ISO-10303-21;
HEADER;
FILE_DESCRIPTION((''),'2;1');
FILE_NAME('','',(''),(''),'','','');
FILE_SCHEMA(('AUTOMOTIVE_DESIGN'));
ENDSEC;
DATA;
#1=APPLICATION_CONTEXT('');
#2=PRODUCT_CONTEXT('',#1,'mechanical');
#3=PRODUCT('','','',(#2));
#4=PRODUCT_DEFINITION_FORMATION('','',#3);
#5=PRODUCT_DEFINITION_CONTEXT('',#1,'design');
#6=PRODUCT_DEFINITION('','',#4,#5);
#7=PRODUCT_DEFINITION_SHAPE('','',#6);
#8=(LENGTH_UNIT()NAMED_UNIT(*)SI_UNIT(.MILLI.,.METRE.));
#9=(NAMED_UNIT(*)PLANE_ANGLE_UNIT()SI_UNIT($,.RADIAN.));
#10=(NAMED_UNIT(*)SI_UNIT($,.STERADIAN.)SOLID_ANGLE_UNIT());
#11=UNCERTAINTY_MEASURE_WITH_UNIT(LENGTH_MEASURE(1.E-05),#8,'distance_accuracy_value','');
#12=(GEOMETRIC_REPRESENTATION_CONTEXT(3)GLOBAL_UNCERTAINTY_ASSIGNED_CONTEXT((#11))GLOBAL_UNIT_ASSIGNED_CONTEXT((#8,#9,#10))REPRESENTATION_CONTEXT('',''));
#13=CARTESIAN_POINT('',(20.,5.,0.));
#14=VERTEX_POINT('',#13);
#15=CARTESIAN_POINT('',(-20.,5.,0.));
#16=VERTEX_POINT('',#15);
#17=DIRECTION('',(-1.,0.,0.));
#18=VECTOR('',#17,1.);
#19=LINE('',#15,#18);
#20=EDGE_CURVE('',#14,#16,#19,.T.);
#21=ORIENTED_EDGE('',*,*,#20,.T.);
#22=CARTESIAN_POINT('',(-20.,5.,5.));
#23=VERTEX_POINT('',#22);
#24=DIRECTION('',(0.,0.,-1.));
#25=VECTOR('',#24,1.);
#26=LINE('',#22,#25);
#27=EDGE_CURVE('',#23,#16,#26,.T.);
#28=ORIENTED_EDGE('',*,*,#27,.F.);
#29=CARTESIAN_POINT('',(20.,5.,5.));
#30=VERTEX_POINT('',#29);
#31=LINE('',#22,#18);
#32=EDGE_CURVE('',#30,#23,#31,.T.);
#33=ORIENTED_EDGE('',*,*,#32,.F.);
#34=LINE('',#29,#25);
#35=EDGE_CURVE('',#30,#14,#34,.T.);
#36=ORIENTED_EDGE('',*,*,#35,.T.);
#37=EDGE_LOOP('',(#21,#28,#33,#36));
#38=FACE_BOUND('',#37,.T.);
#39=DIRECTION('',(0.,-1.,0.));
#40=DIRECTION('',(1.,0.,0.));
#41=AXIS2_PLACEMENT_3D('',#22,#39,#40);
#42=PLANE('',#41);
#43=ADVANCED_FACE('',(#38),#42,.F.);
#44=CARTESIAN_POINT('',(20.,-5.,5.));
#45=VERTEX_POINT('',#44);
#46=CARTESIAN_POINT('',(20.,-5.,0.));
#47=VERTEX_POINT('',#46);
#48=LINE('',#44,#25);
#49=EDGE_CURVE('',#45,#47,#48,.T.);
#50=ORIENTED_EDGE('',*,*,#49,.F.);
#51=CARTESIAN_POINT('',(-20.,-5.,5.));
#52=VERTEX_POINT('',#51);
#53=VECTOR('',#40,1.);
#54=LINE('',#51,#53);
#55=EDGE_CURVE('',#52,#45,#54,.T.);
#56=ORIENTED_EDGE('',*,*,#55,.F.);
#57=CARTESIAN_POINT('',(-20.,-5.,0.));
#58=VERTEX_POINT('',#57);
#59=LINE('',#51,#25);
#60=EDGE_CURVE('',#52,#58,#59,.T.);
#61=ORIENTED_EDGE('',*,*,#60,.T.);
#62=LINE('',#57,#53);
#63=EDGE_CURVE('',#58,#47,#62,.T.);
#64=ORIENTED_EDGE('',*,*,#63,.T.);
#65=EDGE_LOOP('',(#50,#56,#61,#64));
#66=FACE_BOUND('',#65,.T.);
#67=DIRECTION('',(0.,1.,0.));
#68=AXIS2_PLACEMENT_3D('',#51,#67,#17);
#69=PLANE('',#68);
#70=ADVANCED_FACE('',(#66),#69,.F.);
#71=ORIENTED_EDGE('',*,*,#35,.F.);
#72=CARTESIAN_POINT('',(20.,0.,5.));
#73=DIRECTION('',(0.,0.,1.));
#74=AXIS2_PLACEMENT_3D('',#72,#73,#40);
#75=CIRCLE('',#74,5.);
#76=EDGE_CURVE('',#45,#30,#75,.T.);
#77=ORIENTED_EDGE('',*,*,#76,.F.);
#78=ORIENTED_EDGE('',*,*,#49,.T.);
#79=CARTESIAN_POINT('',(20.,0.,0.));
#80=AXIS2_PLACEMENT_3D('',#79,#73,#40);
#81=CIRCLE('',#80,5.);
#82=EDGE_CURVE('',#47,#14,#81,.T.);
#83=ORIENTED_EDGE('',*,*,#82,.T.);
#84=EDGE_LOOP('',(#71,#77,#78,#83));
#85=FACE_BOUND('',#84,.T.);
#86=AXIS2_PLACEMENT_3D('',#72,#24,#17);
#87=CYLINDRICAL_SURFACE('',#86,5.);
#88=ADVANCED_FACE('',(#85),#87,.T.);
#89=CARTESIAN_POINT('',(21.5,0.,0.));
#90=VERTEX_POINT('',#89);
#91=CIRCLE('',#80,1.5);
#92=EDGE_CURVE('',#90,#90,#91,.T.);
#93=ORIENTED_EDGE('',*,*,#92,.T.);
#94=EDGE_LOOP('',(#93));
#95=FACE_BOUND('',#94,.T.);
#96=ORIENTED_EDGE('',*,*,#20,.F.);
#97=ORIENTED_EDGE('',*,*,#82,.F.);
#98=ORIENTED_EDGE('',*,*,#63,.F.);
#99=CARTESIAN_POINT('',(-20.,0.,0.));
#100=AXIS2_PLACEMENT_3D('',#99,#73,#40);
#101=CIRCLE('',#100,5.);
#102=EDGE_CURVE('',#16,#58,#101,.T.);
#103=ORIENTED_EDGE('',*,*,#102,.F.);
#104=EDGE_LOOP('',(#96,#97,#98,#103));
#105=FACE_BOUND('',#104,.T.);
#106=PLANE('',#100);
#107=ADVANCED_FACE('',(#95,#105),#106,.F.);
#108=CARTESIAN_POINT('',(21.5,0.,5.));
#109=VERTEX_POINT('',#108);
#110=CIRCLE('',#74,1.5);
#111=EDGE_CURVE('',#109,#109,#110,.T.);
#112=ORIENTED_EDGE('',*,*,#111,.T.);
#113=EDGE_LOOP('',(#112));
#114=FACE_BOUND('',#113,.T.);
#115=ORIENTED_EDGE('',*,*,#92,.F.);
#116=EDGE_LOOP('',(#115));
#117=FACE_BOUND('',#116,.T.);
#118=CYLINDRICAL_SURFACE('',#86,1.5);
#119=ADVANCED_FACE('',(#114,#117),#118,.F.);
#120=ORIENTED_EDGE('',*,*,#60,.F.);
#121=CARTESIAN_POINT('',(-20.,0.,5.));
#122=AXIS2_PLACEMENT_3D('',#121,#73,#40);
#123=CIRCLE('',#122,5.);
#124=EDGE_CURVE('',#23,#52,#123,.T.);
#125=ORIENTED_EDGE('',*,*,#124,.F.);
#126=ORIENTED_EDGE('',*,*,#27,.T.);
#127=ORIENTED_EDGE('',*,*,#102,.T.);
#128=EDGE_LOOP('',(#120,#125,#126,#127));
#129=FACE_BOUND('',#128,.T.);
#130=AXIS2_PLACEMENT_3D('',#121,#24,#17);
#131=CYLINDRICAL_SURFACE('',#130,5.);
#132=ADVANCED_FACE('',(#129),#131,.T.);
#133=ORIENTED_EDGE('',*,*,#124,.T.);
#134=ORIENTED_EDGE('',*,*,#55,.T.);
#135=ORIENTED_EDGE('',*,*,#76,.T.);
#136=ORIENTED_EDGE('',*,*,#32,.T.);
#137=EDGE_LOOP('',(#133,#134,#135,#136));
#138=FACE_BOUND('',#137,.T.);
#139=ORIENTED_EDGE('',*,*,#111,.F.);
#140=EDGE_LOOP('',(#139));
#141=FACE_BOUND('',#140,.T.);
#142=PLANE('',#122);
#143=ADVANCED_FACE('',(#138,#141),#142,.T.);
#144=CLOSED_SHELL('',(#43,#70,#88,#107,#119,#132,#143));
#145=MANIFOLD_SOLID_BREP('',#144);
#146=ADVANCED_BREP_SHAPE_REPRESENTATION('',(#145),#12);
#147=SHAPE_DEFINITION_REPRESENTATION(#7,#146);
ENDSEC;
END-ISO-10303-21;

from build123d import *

# Parameters (mm, degrees)
SKETCH1_R           = 1.5
BOSS_EXTRUDE1_DEPTH = 5


with BuildPart() as part:
    # Sketch1 → Boss-Extrude1 (new body)
    with BuildSketch(Plane.XY):
        with BuildLine():
            Line((-20, 5), (20, 5))
            ThreePointArc((20, 5), (25, 0), (20, -5))
            Line((20, -5), (-20, -5))
            ThreePointArc((-20, -5), (-25, 0), (-20, 5))
        make_face()
        with Locations((20, 0)):
            Circle(SKETCH1_R, mode=Mode.SUBTRACT)
    extrude(amount=BOSS_EXTRUDE1_DEPTH)


solid = part.part
